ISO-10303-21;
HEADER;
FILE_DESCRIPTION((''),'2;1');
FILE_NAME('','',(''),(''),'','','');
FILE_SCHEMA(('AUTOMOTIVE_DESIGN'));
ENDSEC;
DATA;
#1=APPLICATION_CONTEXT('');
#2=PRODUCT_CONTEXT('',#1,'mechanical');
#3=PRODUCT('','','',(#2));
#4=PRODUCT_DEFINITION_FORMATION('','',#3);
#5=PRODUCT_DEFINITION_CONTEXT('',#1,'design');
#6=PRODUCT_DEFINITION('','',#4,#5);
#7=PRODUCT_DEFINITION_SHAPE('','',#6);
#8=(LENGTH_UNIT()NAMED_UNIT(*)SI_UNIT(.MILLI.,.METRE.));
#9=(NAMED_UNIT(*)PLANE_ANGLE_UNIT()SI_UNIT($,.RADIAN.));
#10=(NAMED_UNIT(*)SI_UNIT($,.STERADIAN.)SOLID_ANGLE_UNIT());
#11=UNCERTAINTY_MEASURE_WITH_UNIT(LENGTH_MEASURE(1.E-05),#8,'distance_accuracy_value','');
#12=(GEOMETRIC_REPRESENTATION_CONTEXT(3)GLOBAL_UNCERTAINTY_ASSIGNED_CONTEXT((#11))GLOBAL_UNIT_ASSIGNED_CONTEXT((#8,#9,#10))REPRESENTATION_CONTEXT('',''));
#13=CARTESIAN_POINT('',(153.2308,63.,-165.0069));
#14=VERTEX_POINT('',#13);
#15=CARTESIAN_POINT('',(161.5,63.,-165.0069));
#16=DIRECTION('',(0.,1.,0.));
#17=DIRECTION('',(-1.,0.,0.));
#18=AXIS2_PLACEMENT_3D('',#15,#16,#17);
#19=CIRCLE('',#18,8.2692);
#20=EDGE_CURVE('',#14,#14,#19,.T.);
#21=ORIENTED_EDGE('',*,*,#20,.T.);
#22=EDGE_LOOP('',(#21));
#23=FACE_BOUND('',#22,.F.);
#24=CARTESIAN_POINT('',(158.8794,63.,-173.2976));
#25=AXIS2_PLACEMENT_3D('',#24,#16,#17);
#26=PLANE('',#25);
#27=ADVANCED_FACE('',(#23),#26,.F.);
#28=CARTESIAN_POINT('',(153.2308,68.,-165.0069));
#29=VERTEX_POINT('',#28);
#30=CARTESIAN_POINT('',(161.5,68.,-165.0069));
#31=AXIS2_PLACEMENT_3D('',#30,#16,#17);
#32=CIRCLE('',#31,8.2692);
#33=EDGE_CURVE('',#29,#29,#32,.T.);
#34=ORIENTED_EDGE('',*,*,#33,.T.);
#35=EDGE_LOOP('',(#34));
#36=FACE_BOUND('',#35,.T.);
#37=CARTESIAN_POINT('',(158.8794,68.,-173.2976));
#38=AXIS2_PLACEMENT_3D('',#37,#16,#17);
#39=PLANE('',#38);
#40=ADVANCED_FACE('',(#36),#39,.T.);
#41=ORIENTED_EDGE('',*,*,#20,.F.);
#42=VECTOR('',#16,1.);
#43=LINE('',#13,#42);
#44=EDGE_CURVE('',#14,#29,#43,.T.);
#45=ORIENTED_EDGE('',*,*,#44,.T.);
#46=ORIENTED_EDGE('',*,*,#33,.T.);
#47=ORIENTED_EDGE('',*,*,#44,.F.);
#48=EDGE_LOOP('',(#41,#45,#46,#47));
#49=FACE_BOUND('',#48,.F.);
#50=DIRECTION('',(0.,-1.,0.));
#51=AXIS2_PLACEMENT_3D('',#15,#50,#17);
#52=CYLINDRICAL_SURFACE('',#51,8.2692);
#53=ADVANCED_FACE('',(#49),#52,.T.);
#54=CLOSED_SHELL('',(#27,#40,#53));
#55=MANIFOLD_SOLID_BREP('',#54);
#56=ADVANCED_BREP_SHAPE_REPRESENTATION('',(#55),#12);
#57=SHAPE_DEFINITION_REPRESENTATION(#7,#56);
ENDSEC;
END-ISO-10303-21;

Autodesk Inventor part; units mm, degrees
ref_plane "YZ Plane" through (0, 0, 0) normal (1, 0, 0) x (0, 1, 0)
ref_plane "XZ Plane" through (0, 0, 0) normal (0, 1, 0) x (-1, 0, 0)
ref_plane "XY Plane" through (0, 0, 0) normal (0, 0, 1) x (1, 0, 0)
sketch "草图1" plane through (158.8794, 63, -173.2976) normal (0, 1, 0) x (-1, 0, 0)
  circle A0 centre (-2.6206, 8.2907) radius 8.2692 projected
  point P0 (158.8794, 173.2976)
extrude "拉伸1" add sketch "草图1" along normal blind 5
properties part number "111"
